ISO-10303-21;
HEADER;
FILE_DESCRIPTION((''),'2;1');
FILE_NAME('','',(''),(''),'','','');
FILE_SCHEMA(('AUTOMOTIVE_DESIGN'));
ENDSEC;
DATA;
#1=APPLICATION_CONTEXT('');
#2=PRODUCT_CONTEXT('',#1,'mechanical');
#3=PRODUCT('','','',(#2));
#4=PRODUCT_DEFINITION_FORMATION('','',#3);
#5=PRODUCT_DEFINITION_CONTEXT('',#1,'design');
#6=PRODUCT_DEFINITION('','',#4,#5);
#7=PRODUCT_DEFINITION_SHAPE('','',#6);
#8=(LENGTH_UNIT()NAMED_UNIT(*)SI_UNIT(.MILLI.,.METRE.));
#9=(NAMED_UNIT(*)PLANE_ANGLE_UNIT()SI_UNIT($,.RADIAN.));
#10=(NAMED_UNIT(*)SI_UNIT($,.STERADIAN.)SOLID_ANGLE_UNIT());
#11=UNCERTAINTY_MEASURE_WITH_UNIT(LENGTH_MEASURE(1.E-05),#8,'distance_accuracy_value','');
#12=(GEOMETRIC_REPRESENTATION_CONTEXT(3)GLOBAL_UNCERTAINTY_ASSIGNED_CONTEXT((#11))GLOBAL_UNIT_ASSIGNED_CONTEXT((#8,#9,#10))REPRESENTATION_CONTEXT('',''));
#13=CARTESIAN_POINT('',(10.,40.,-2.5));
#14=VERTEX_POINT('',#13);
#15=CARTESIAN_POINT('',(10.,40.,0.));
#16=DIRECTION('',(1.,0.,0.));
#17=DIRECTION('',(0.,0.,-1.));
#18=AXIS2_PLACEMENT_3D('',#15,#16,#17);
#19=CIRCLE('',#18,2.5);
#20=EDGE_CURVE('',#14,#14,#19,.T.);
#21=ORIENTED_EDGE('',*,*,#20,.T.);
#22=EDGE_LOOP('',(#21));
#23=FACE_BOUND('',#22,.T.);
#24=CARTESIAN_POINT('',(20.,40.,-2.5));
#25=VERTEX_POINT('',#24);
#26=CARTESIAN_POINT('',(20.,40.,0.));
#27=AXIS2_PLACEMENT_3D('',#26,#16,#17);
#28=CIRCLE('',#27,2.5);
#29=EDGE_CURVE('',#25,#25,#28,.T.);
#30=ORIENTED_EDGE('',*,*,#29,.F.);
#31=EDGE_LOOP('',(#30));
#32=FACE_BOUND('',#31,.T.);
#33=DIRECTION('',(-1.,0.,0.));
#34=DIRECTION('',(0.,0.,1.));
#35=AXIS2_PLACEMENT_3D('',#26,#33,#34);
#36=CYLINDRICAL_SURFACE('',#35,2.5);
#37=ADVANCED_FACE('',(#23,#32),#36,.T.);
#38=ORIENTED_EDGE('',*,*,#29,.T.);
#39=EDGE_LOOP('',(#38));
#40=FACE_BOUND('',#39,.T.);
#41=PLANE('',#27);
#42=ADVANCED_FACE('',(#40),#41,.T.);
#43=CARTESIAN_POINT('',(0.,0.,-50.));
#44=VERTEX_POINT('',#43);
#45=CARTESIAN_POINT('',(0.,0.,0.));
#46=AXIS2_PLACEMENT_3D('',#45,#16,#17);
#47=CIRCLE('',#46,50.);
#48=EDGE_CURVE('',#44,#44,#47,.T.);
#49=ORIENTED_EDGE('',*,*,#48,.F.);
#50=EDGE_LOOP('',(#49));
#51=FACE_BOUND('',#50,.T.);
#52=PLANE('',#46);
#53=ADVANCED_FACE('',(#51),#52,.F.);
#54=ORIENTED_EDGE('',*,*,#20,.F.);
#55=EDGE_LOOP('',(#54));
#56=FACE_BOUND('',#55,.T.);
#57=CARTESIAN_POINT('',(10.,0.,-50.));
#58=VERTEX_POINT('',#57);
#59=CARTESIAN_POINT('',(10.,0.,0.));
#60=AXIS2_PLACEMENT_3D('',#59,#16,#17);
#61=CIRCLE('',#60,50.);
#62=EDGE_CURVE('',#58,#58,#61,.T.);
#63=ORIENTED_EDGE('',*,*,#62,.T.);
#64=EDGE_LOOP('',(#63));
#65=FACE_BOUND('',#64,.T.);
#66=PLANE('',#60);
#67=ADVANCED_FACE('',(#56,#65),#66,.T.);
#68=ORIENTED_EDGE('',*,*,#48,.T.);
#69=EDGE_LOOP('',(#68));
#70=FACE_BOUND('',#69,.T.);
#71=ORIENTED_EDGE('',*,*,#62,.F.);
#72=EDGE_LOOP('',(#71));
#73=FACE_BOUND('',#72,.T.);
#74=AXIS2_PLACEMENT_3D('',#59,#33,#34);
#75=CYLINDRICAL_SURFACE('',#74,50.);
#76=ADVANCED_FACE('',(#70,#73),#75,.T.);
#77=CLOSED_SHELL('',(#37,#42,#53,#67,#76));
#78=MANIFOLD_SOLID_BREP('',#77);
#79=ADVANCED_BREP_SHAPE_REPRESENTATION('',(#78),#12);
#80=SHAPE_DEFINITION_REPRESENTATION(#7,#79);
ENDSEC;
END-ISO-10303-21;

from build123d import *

# Parameters (mm, degrees)
SKETCH1_R           = 50
BOSS_EXTRUDE1_DEPTH = 10
SKETCH2_R           = 2.5
BOSS_EXTRUDE2_DEPTH = 10


with BuildPart() as part:
    # Sketch1 → Boss-Extrude1 (new body)
    with BuildSketch(Plane(origin=(0, 0, 0), x_dir=(0, 0, -1), z_dir=(1, 0, 0))):
        Circle(SKETCH1_R)
    extrude(amount=BOSS_EXTRUDE1_DEPTH)

    # Sketch2 → Boss-Extrude2 (add)
    with BuildSketch(Plane(origin=(10, 0, 0), x_dir=(0, 0, -1), z_dir=(1, 0, 0))):
        with Locations((0, 40)):
            Circle(SKETCH2_R)
    extrude(amount=BOSS_EXTRUDE2_DEPTH)


solid = part.part
